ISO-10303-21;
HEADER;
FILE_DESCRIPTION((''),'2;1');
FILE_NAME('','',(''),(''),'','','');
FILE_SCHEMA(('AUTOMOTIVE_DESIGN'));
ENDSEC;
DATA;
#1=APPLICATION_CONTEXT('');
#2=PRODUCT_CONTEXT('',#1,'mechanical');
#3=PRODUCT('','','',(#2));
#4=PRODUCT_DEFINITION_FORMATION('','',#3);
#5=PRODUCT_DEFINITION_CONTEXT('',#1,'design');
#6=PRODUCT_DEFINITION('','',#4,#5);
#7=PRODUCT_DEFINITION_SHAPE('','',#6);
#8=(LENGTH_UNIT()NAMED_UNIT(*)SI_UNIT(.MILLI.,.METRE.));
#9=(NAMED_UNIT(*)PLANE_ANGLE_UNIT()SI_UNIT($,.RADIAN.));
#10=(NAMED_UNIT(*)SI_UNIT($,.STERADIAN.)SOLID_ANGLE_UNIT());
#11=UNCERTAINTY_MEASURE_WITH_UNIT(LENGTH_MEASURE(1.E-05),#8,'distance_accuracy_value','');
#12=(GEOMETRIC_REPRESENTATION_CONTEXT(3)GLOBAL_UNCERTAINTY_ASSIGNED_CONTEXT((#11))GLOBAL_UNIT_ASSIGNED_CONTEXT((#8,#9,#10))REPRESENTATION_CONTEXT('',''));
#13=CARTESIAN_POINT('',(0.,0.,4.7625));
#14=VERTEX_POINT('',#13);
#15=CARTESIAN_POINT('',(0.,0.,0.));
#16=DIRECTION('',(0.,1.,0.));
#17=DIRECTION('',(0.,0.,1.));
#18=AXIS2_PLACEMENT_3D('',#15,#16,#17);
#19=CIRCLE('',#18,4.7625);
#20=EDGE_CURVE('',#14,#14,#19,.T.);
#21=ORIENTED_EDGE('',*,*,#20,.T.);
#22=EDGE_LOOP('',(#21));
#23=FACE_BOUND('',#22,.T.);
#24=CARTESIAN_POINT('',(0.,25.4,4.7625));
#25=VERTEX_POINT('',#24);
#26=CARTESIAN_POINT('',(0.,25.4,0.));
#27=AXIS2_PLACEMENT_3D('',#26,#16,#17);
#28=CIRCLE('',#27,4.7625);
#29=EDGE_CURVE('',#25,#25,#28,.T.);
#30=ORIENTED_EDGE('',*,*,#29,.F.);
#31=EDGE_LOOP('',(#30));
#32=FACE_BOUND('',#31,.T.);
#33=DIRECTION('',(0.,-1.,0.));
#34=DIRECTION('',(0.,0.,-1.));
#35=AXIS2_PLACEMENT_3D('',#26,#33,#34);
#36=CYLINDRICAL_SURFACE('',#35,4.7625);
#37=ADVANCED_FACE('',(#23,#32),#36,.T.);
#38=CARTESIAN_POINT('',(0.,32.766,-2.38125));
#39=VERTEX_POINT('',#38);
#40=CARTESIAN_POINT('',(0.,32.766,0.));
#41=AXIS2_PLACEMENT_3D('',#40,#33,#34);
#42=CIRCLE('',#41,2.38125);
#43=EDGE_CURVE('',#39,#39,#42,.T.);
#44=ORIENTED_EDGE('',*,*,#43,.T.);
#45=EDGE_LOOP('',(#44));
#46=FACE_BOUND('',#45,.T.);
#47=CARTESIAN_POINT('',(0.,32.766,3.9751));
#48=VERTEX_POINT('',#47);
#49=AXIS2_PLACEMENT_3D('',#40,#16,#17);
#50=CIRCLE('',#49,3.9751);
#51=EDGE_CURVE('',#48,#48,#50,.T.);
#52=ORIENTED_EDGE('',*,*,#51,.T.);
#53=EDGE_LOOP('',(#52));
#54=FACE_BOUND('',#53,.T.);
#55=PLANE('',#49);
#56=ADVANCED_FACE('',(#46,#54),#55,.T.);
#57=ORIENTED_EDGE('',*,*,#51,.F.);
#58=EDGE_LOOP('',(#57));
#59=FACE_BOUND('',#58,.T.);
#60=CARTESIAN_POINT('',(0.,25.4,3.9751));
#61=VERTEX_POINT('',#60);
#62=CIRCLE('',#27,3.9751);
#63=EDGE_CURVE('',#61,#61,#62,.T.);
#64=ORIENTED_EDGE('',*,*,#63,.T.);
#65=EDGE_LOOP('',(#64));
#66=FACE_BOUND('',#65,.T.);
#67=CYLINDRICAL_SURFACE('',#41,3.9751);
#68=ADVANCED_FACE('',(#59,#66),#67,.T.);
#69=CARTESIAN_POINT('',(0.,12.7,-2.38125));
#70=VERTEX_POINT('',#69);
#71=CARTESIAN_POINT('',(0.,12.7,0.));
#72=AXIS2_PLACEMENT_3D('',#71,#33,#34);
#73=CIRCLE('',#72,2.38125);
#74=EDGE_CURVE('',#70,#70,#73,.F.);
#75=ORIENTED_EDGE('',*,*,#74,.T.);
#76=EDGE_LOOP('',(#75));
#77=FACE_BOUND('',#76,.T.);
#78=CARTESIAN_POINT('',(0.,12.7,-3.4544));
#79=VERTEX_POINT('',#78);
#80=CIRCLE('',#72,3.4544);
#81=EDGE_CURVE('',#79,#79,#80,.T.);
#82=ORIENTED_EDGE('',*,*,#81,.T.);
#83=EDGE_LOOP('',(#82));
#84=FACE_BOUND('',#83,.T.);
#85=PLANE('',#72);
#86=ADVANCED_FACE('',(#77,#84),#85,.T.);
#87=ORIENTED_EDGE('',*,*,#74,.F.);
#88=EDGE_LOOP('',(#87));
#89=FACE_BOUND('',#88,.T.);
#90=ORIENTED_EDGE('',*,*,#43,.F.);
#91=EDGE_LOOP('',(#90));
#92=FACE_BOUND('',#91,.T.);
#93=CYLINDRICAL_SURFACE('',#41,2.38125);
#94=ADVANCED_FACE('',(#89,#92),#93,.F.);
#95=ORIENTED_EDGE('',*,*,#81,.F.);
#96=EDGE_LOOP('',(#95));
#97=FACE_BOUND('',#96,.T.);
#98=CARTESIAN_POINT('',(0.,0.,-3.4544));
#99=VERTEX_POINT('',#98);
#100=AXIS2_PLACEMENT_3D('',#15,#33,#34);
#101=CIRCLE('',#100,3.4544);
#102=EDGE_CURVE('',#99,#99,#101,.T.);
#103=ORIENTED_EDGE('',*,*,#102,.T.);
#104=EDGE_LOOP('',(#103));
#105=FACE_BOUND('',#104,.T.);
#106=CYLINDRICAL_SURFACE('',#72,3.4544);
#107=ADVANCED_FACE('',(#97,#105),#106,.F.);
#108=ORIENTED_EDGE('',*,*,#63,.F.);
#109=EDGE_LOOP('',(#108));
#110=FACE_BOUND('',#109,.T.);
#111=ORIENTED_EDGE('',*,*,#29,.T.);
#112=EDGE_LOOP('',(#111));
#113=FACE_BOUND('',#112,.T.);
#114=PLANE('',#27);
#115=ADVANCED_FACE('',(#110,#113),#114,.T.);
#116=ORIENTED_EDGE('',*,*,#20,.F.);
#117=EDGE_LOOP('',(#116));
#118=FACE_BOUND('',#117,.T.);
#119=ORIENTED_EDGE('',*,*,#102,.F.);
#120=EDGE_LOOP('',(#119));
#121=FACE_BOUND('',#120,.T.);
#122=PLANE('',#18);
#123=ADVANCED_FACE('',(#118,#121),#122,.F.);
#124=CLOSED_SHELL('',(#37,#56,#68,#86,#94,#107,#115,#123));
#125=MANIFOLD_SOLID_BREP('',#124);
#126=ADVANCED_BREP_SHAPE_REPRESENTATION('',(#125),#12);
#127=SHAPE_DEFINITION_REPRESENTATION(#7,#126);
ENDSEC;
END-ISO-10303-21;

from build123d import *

# Parameters (mm, degrees)
SKETCH1_R           = 4.7625
BOSS_EXTRUDE1_DEPTH = 25.4
SKETCH2_R           = 3.9751
BOSS_EXTRUDE2_DEPTH = 7.366
SKETCH3_R           = 2.38125
CUT_EXTRUDE1_DEPTH  = 33.766
SKETCH4_R           = 3.4544
CUT_EXTRUDE2_DEPTH  = 12.7


with BuildPart() as part:
    # Sketch1 → Boss-Extrude1 (new body)
    with BuildSketch(Plane(origin=(0, 0, 0), x_dir=(1, 0, 0), z_dir=(0, 1, 0))):
        with Locations(Location((0, 0, 0), (0, 0, 270))):  # turned: the seam where the file's is
            Circle(SKETCH1_R)
    extrude(amount=BOSS_EXTRUDE1_DEPTH)

    # Sketch2 → Boss-Extrude2 (add)
    with BuildSketch(Plane(origin=(0, 25.4, 0), x_dir=(1, 0, 0), z_dir=(0, 1, 0))):
        with Locations(Location((0, 0, 0), (0, 0, 270))):  # turned: the seam where the file's is
            Circle(SKETCH2_R)
    extrude(amount=BOSS_EXTRUDE2_DEPTH)

    # Sketch3 → Cut-Extrude1 (cut, through all)
    with BuildSketch(Plane.XZ):
        with Locations(Location((0, 0, 0), (0, 0, 270))):  # turned: the seam where the file's is
            Circle(SKETCH3_R)
    extrude(amount=-CUT_EXTRUDE1_DEPTH, mode=Mode.SUBTRACT)

    # Sketch4 → Cut-Extrude2 (cut)
    with BuildSketch(Plane.XZ):
        with Locations(Location((0, 0, 0), (0, 0, 270))):  # turned: the seam where the file's is
            Circle(SKETCH4_R)
    extrude(amount=-CUT_EXTRUDE2_DEPTH, mode=Mode.SUBTRACT)


solid = part.part
